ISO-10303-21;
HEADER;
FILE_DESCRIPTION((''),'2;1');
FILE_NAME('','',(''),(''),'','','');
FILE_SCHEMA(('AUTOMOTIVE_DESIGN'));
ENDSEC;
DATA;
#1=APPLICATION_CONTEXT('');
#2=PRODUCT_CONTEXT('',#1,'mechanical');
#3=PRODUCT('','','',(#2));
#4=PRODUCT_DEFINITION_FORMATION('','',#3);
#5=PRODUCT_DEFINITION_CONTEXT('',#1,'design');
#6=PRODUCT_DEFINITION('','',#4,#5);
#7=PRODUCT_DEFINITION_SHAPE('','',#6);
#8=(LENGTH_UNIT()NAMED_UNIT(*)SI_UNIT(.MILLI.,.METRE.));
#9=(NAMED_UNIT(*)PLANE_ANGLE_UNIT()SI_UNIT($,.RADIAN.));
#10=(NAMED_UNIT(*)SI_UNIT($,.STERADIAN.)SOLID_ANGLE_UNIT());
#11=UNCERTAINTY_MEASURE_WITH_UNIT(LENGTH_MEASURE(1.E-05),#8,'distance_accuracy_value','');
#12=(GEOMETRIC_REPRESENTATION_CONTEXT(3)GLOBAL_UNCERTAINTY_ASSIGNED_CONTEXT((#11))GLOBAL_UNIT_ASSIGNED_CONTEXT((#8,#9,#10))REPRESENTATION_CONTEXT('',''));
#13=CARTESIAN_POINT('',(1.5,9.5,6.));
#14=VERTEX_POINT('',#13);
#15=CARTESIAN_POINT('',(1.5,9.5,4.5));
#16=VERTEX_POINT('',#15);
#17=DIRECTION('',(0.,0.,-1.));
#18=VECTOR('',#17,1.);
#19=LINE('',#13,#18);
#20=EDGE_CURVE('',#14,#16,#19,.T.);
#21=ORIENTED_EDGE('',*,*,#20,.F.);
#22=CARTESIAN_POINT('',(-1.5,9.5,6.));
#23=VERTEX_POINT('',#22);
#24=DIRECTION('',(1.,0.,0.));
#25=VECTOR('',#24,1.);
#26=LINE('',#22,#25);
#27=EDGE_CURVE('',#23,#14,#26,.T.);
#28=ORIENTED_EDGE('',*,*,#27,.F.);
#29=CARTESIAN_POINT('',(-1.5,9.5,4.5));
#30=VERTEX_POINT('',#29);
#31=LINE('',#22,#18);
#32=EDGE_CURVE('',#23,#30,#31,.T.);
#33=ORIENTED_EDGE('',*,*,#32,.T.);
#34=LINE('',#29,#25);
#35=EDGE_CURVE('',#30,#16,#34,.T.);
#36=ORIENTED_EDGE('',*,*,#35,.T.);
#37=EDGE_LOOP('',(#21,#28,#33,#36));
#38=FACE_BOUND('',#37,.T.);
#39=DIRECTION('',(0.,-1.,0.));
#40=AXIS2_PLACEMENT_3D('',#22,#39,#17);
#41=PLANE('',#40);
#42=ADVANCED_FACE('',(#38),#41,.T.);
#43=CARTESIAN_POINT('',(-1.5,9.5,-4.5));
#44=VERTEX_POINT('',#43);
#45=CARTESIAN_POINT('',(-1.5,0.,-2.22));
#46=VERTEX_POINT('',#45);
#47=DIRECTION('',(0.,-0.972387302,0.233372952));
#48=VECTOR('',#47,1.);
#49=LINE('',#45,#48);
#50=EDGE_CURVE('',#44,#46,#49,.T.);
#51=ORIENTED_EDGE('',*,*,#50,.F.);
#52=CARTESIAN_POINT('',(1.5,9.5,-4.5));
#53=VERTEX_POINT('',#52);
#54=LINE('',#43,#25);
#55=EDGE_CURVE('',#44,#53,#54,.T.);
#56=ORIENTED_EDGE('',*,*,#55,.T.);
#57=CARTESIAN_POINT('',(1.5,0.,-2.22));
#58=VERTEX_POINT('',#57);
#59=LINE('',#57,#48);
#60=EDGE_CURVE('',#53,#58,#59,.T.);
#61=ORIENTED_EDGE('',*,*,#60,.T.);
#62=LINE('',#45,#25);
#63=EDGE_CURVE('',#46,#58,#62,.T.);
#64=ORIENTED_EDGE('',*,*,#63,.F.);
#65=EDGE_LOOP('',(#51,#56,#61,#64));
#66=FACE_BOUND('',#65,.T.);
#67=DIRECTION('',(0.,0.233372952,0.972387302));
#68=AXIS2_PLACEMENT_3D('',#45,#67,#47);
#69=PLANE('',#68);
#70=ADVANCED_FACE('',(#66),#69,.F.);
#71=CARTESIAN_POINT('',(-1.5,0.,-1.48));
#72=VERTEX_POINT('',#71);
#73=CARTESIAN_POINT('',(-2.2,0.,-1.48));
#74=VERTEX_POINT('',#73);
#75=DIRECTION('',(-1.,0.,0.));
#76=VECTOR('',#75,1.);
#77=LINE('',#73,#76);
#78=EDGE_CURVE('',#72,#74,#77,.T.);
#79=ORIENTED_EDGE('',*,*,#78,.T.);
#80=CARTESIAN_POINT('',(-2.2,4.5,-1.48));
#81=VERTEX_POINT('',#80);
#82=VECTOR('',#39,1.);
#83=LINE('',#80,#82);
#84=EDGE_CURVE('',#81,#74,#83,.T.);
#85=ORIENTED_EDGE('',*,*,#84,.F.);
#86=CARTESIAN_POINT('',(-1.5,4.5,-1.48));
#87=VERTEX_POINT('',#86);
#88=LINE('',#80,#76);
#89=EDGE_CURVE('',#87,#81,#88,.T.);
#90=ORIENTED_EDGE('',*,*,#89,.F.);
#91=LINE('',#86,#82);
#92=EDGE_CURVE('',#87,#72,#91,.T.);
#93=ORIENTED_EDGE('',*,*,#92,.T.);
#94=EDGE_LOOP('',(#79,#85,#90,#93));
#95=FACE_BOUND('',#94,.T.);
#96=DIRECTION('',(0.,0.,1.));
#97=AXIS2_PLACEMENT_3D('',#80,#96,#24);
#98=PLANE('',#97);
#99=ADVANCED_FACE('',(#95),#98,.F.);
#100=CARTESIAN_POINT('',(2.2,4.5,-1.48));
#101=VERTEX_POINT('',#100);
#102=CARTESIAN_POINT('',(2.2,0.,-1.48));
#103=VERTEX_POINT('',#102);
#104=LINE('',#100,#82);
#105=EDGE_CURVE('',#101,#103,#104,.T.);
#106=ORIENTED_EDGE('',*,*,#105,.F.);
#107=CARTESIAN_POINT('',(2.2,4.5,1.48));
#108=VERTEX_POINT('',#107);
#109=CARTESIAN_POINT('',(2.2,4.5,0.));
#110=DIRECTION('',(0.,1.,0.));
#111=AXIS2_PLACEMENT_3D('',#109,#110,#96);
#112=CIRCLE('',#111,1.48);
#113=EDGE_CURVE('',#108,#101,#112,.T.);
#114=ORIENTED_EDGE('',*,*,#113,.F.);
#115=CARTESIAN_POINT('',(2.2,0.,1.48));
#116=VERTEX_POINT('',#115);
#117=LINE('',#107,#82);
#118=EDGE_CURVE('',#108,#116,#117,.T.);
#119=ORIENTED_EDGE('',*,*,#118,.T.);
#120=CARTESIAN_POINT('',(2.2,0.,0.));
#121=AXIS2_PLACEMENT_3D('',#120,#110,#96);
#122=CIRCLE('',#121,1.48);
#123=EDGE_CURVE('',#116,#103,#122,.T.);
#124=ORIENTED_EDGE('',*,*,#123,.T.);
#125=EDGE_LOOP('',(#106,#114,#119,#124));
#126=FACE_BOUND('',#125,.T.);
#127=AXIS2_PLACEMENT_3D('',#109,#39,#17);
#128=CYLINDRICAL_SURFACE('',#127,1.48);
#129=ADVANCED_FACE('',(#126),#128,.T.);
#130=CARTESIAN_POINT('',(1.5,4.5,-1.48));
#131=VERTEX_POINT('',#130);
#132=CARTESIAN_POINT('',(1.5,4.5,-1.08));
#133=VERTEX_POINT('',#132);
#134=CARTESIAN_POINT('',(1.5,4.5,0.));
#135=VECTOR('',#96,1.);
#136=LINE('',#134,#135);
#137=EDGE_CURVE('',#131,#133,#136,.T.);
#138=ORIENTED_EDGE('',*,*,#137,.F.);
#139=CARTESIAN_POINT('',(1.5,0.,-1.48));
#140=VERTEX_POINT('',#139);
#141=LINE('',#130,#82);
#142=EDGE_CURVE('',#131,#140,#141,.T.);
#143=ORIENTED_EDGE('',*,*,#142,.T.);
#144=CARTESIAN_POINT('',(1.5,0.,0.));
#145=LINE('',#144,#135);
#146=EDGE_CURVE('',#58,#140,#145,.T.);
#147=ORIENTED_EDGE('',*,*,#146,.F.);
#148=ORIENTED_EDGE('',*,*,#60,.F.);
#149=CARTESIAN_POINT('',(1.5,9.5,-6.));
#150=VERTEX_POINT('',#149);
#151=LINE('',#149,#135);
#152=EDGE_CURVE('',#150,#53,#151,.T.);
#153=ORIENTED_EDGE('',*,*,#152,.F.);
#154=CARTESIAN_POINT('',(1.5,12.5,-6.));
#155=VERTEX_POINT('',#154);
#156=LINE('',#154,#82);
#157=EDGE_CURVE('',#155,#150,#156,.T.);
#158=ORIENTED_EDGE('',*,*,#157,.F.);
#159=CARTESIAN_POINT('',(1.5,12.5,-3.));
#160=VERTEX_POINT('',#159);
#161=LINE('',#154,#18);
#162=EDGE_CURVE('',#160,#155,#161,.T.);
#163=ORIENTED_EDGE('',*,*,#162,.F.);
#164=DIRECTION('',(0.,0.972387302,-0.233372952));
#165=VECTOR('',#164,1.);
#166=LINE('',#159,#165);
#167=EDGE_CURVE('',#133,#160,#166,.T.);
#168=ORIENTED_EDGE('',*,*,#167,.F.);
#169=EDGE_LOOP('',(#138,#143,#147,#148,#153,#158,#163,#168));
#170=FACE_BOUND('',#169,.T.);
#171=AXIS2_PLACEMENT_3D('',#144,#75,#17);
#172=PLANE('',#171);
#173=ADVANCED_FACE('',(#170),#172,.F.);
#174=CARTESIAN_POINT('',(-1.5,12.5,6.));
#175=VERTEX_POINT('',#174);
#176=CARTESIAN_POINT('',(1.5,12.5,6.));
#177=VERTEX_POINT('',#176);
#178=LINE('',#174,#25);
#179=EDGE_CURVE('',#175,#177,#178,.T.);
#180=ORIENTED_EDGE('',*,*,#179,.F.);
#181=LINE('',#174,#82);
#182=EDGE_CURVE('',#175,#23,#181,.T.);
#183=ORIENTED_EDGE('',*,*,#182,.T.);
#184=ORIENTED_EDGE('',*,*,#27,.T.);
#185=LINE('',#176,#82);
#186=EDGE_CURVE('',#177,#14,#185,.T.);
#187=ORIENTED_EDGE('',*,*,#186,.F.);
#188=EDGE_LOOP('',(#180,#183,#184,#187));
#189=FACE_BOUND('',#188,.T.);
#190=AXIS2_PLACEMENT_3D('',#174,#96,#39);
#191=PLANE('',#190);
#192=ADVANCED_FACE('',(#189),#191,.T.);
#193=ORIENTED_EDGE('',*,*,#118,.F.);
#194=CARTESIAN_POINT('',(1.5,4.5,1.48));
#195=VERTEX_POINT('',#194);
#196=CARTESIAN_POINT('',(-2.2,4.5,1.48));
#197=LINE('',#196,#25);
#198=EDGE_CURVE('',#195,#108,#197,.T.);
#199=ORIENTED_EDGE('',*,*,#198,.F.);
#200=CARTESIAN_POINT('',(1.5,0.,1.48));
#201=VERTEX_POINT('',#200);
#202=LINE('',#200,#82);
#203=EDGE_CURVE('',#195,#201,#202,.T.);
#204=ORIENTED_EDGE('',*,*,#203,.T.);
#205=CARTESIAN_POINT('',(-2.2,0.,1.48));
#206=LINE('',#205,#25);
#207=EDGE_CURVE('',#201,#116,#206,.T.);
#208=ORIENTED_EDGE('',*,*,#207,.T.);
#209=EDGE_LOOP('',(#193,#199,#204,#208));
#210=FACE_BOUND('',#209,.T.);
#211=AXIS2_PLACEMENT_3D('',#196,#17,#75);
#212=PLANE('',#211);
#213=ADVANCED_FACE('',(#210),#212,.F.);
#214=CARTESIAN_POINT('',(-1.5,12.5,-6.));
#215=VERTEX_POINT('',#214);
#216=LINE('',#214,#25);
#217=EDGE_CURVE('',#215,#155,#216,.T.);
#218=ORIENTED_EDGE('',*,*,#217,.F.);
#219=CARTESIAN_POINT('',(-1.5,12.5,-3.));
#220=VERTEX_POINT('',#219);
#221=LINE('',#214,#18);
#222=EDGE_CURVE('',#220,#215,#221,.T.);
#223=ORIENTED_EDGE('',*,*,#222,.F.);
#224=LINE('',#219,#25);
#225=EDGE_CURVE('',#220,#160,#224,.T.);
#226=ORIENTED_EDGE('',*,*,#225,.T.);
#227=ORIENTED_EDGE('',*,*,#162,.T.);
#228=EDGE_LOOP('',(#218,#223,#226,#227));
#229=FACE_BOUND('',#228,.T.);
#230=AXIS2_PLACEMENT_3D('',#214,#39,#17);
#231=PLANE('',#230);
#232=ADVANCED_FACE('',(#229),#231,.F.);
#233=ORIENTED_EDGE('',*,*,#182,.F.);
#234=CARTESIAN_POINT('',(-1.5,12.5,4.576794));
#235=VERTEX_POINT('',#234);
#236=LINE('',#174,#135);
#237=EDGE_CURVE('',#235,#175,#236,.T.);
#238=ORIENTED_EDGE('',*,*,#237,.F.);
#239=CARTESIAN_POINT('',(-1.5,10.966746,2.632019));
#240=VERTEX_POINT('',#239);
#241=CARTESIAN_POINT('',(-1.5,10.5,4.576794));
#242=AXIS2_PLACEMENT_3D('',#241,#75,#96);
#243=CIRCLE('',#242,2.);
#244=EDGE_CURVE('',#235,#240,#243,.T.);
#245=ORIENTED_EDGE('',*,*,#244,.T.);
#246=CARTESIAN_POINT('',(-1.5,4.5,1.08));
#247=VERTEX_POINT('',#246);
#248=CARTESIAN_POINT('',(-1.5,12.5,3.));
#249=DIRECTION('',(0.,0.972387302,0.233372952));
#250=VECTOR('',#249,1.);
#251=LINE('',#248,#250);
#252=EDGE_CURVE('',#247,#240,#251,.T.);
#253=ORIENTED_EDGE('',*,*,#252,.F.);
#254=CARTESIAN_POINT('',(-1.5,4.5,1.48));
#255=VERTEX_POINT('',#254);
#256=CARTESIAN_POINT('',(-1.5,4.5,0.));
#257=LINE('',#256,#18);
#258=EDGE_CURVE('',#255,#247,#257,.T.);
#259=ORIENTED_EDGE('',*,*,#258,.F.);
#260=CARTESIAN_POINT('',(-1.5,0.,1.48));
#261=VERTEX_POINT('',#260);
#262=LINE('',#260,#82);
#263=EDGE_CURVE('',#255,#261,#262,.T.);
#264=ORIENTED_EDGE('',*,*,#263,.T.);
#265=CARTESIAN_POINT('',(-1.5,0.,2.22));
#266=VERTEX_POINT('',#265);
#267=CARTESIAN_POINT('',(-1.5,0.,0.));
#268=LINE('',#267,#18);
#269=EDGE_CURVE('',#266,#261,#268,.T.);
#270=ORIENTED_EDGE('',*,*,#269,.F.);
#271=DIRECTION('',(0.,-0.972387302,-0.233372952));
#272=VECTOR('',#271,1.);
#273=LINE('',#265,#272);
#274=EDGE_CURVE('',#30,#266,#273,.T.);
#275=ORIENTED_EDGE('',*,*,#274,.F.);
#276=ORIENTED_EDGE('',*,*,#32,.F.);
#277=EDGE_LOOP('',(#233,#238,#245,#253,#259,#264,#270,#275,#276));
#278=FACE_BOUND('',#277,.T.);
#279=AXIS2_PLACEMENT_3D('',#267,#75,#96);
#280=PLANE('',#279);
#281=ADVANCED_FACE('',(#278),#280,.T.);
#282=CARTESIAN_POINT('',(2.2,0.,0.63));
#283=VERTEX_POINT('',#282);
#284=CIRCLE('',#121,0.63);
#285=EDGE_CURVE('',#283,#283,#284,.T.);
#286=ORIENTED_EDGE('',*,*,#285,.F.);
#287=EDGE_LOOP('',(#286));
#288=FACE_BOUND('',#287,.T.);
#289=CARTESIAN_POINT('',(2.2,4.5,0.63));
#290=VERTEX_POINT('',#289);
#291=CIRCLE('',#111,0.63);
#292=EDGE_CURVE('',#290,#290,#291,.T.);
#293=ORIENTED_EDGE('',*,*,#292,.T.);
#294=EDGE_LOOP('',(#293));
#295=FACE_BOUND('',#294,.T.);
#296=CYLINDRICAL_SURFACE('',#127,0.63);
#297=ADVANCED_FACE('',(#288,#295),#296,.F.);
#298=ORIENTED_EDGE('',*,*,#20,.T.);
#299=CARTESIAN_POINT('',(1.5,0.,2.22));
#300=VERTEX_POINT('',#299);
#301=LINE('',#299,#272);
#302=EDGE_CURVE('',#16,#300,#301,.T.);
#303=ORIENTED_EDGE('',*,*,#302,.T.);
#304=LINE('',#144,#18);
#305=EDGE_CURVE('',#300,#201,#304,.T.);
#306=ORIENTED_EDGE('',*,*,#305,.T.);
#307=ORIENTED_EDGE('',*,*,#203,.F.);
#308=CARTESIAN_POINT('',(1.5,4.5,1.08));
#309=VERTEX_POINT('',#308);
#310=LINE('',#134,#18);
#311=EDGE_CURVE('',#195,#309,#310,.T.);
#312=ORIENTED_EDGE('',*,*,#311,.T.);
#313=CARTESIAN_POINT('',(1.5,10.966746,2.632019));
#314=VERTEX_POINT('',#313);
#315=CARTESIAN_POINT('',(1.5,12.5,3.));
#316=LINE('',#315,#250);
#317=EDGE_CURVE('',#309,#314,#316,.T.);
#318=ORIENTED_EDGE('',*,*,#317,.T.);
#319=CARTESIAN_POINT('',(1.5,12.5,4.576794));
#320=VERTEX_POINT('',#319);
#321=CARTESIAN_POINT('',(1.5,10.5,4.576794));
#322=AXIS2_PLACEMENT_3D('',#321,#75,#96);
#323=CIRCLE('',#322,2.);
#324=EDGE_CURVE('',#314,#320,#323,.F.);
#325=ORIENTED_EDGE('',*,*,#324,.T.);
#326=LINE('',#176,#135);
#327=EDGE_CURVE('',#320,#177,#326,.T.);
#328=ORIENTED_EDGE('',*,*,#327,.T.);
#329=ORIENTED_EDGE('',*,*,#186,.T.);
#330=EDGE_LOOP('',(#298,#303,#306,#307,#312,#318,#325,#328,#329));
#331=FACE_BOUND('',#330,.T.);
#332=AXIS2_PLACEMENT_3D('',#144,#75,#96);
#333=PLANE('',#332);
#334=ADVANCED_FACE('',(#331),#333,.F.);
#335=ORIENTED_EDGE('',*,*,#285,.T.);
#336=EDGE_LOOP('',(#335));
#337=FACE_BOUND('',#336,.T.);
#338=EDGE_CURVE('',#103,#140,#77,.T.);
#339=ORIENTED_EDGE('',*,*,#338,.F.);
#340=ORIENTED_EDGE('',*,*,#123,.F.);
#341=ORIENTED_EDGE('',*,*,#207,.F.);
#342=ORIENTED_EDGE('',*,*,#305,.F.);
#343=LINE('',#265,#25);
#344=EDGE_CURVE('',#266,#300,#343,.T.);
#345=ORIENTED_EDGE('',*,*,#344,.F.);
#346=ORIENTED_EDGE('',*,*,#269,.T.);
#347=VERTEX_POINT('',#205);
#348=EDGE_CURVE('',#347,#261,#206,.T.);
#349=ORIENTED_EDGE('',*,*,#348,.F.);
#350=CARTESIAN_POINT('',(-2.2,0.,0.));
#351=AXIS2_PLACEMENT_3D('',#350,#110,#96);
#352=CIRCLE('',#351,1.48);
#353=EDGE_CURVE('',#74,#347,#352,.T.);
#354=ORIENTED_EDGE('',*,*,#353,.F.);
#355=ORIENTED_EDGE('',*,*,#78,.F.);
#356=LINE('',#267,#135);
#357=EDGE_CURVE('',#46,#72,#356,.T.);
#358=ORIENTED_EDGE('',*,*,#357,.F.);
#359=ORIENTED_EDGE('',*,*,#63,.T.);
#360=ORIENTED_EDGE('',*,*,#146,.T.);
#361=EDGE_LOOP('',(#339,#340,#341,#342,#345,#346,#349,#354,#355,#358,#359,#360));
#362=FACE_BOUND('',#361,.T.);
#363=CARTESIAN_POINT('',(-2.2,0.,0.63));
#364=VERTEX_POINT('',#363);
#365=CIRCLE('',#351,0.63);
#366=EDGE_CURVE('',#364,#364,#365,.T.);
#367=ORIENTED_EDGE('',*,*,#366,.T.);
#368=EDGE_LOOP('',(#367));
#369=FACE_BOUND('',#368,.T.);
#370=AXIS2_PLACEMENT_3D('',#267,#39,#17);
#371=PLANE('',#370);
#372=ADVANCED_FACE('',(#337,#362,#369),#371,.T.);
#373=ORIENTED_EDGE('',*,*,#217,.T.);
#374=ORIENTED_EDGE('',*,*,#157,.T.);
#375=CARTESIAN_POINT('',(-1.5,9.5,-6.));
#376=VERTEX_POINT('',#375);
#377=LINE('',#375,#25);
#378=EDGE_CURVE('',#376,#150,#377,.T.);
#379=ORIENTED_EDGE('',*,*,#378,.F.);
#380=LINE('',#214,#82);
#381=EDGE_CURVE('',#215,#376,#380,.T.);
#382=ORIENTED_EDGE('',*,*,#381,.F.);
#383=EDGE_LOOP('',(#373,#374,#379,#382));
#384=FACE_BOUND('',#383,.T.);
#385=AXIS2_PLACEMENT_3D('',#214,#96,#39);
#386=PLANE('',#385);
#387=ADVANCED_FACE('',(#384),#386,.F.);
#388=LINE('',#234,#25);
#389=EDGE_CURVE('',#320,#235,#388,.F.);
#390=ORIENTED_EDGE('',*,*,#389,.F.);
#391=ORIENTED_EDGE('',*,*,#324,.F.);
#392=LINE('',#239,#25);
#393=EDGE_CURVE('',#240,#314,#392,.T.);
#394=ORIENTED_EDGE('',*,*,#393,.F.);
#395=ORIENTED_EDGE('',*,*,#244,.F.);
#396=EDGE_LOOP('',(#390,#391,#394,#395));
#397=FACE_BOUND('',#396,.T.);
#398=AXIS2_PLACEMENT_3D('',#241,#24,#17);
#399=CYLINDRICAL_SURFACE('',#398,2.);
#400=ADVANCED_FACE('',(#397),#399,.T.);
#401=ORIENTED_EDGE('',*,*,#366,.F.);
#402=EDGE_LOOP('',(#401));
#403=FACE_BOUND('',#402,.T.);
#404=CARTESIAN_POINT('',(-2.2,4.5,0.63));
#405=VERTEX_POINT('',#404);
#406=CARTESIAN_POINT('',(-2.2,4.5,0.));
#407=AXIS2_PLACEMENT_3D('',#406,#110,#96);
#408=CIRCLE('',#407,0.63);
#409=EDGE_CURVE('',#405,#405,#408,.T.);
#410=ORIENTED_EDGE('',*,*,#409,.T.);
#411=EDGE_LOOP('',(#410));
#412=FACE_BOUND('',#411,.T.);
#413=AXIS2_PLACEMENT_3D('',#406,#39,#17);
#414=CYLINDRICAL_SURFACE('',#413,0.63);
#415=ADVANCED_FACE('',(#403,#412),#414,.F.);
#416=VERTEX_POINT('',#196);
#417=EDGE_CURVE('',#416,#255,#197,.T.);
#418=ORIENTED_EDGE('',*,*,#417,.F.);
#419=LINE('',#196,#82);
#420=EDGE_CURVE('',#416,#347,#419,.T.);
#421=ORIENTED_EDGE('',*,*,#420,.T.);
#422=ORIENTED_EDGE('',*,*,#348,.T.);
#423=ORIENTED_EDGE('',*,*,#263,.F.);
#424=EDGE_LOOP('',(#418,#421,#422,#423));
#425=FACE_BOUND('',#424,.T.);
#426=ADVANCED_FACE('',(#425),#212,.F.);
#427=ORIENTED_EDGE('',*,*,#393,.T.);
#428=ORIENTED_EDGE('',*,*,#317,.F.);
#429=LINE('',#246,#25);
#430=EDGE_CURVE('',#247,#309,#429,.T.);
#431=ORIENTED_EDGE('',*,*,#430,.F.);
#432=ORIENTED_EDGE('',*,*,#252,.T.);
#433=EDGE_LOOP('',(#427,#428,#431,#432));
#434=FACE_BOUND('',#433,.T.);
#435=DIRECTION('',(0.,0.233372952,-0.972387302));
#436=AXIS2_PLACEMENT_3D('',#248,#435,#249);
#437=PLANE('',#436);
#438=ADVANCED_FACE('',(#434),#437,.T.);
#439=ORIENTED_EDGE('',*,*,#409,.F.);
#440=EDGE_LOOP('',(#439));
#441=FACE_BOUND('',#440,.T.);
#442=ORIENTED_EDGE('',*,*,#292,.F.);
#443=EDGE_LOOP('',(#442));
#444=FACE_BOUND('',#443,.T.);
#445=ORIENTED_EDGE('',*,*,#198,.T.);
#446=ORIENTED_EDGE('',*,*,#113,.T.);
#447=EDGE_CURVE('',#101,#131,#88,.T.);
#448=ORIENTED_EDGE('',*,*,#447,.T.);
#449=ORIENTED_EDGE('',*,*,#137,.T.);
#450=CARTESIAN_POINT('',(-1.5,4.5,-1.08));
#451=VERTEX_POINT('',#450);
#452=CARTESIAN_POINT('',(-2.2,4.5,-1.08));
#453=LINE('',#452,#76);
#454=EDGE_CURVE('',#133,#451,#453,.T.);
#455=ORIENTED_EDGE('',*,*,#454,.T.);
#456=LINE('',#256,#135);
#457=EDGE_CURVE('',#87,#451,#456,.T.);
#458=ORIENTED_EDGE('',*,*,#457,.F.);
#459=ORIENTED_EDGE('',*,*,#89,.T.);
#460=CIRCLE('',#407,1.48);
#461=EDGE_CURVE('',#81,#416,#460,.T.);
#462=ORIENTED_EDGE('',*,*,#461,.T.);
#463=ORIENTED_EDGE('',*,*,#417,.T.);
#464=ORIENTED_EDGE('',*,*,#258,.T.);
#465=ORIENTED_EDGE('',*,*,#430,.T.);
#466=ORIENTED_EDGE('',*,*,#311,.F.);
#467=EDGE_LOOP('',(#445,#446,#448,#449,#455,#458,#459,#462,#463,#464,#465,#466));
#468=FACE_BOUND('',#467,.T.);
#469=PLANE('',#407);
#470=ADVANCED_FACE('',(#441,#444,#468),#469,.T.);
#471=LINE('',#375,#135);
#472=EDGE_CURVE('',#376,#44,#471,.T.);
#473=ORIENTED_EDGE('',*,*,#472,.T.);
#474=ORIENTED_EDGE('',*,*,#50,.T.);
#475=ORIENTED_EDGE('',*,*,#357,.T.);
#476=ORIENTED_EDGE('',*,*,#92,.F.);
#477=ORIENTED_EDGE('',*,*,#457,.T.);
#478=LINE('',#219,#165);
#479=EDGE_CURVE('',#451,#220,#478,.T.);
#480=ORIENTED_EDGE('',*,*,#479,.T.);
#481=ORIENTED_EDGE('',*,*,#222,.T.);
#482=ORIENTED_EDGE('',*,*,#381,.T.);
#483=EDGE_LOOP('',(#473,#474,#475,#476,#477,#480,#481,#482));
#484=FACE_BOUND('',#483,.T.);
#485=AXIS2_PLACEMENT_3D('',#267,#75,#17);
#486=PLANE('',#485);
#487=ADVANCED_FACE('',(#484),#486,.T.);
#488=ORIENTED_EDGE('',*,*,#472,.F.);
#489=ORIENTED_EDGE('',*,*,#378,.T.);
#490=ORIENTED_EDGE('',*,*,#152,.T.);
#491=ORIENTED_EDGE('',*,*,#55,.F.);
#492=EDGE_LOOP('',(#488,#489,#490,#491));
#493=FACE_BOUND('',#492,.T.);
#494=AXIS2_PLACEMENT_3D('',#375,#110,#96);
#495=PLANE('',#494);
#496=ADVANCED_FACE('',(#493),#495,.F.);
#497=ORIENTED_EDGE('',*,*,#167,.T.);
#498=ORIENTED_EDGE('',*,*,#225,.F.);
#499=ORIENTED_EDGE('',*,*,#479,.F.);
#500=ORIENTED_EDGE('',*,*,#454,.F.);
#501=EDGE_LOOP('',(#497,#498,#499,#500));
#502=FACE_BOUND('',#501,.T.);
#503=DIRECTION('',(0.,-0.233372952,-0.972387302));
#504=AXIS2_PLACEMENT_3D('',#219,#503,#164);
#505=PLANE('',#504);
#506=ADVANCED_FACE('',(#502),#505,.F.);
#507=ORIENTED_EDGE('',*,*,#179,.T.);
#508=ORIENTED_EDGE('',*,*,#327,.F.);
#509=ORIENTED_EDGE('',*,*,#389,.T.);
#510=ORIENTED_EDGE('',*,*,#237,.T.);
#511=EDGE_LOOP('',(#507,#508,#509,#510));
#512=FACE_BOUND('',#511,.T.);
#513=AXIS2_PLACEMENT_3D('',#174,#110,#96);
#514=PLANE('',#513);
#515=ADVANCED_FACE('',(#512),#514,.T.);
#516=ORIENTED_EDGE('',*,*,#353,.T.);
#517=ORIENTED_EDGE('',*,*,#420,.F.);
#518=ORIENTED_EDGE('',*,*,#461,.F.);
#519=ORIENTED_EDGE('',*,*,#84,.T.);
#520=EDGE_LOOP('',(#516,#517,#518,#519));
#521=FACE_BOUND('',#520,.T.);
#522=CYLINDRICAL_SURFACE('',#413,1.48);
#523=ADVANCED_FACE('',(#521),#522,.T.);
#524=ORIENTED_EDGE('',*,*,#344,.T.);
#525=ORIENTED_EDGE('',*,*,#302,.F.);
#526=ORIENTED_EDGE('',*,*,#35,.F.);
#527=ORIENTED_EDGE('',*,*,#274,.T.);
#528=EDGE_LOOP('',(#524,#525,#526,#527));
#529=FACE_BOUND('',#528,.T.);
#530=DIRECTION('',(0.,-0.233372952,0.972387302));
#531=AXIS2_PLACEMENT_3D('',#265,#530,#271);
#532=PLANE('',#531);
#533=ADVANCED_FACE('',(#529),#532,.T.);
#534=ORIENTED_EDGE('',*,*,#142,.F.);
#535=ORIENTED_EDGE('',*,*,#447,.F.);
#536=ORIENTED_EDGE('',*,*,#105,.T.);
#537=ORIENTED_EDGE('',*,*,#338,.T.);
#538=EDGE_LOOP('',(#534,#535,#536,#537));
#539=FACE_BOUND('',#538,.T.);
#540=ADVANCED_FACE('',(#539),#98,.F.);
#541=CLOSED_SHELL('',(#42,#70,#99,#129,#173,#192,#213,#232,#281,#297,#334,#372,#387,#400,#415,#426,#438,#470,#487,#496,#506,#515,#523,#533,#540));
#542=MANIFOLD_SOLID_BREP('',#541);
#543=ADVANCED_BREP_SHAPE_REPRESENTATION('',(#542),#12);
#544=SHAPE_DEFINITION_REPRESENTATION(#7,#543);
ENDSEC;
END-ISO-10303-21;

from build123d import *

# Parameters (mm, degrees)
BOSS_EXTRUDE2_DEPTH = 1.5
FILLET1_R           = 2
SKETCH1_R           = 0.63
BOSS_EXTRUDE3_DEPTH = 4.5


with BuildPart() as part:
    # Sketch2 → Boss-Extrude2 (new, symmetric)
    with BuildSketch(Plane(origin=(0, 0, 0), x_dir=(0, 0, -1), z_dir=(1, 0, 0))):
        Polygon((-6, 12.5), (-6, 9.5), (-4.5, 9.5), (-2.22, 0), (0, 0), (-3, 12.5), align=None)
    boss_extrude2 = extrude(amount=BOSS_EXTRUDE2_DEPTH, both=True)

    # Fillet1
    fillet1_edges = [part.edges().sort_by_distance(p)[0] for p in [
        (0, 12.5, 3),
    ]]
    fillet(fillet1_edges, radius=FILLET1_R)

    # Sketch1 → Boss-Extrude3 (add)
    with BuildSketch(Plane(origin=(0, 0, 0), x_dir=(1, 0, 0), z_dir=(0, 1, 0))):
        with BuildLine():
            Line((-2.2, 1.48), (2.2, 1.48))
            ThreePointArc((2.2, 1.48), (3.68, 0), (2.2, -1.48))
            Line((2.2, -1.48), (-2.2, -1.48))
            ThreePointArc((-2.2, -1.48), (-3.68, 0), (-2.2, 1.48))
        make_face()
        with Locations((-2.2, 0)):
            Circle(SKETCH1_R, mode=Mode.SUBTRACT)
        with Locations((2.2, 0)):
            Circle(SKETCH1_R, mode=Mode.SUBTRACT)
    extrude(amount=BOSS_EXTRUDE3_DEPTH)

    # Mirror1: Boss-Extrude2 across plane
    add(boss_extrude2.mirror(Plane.XY))


solid = part.part
